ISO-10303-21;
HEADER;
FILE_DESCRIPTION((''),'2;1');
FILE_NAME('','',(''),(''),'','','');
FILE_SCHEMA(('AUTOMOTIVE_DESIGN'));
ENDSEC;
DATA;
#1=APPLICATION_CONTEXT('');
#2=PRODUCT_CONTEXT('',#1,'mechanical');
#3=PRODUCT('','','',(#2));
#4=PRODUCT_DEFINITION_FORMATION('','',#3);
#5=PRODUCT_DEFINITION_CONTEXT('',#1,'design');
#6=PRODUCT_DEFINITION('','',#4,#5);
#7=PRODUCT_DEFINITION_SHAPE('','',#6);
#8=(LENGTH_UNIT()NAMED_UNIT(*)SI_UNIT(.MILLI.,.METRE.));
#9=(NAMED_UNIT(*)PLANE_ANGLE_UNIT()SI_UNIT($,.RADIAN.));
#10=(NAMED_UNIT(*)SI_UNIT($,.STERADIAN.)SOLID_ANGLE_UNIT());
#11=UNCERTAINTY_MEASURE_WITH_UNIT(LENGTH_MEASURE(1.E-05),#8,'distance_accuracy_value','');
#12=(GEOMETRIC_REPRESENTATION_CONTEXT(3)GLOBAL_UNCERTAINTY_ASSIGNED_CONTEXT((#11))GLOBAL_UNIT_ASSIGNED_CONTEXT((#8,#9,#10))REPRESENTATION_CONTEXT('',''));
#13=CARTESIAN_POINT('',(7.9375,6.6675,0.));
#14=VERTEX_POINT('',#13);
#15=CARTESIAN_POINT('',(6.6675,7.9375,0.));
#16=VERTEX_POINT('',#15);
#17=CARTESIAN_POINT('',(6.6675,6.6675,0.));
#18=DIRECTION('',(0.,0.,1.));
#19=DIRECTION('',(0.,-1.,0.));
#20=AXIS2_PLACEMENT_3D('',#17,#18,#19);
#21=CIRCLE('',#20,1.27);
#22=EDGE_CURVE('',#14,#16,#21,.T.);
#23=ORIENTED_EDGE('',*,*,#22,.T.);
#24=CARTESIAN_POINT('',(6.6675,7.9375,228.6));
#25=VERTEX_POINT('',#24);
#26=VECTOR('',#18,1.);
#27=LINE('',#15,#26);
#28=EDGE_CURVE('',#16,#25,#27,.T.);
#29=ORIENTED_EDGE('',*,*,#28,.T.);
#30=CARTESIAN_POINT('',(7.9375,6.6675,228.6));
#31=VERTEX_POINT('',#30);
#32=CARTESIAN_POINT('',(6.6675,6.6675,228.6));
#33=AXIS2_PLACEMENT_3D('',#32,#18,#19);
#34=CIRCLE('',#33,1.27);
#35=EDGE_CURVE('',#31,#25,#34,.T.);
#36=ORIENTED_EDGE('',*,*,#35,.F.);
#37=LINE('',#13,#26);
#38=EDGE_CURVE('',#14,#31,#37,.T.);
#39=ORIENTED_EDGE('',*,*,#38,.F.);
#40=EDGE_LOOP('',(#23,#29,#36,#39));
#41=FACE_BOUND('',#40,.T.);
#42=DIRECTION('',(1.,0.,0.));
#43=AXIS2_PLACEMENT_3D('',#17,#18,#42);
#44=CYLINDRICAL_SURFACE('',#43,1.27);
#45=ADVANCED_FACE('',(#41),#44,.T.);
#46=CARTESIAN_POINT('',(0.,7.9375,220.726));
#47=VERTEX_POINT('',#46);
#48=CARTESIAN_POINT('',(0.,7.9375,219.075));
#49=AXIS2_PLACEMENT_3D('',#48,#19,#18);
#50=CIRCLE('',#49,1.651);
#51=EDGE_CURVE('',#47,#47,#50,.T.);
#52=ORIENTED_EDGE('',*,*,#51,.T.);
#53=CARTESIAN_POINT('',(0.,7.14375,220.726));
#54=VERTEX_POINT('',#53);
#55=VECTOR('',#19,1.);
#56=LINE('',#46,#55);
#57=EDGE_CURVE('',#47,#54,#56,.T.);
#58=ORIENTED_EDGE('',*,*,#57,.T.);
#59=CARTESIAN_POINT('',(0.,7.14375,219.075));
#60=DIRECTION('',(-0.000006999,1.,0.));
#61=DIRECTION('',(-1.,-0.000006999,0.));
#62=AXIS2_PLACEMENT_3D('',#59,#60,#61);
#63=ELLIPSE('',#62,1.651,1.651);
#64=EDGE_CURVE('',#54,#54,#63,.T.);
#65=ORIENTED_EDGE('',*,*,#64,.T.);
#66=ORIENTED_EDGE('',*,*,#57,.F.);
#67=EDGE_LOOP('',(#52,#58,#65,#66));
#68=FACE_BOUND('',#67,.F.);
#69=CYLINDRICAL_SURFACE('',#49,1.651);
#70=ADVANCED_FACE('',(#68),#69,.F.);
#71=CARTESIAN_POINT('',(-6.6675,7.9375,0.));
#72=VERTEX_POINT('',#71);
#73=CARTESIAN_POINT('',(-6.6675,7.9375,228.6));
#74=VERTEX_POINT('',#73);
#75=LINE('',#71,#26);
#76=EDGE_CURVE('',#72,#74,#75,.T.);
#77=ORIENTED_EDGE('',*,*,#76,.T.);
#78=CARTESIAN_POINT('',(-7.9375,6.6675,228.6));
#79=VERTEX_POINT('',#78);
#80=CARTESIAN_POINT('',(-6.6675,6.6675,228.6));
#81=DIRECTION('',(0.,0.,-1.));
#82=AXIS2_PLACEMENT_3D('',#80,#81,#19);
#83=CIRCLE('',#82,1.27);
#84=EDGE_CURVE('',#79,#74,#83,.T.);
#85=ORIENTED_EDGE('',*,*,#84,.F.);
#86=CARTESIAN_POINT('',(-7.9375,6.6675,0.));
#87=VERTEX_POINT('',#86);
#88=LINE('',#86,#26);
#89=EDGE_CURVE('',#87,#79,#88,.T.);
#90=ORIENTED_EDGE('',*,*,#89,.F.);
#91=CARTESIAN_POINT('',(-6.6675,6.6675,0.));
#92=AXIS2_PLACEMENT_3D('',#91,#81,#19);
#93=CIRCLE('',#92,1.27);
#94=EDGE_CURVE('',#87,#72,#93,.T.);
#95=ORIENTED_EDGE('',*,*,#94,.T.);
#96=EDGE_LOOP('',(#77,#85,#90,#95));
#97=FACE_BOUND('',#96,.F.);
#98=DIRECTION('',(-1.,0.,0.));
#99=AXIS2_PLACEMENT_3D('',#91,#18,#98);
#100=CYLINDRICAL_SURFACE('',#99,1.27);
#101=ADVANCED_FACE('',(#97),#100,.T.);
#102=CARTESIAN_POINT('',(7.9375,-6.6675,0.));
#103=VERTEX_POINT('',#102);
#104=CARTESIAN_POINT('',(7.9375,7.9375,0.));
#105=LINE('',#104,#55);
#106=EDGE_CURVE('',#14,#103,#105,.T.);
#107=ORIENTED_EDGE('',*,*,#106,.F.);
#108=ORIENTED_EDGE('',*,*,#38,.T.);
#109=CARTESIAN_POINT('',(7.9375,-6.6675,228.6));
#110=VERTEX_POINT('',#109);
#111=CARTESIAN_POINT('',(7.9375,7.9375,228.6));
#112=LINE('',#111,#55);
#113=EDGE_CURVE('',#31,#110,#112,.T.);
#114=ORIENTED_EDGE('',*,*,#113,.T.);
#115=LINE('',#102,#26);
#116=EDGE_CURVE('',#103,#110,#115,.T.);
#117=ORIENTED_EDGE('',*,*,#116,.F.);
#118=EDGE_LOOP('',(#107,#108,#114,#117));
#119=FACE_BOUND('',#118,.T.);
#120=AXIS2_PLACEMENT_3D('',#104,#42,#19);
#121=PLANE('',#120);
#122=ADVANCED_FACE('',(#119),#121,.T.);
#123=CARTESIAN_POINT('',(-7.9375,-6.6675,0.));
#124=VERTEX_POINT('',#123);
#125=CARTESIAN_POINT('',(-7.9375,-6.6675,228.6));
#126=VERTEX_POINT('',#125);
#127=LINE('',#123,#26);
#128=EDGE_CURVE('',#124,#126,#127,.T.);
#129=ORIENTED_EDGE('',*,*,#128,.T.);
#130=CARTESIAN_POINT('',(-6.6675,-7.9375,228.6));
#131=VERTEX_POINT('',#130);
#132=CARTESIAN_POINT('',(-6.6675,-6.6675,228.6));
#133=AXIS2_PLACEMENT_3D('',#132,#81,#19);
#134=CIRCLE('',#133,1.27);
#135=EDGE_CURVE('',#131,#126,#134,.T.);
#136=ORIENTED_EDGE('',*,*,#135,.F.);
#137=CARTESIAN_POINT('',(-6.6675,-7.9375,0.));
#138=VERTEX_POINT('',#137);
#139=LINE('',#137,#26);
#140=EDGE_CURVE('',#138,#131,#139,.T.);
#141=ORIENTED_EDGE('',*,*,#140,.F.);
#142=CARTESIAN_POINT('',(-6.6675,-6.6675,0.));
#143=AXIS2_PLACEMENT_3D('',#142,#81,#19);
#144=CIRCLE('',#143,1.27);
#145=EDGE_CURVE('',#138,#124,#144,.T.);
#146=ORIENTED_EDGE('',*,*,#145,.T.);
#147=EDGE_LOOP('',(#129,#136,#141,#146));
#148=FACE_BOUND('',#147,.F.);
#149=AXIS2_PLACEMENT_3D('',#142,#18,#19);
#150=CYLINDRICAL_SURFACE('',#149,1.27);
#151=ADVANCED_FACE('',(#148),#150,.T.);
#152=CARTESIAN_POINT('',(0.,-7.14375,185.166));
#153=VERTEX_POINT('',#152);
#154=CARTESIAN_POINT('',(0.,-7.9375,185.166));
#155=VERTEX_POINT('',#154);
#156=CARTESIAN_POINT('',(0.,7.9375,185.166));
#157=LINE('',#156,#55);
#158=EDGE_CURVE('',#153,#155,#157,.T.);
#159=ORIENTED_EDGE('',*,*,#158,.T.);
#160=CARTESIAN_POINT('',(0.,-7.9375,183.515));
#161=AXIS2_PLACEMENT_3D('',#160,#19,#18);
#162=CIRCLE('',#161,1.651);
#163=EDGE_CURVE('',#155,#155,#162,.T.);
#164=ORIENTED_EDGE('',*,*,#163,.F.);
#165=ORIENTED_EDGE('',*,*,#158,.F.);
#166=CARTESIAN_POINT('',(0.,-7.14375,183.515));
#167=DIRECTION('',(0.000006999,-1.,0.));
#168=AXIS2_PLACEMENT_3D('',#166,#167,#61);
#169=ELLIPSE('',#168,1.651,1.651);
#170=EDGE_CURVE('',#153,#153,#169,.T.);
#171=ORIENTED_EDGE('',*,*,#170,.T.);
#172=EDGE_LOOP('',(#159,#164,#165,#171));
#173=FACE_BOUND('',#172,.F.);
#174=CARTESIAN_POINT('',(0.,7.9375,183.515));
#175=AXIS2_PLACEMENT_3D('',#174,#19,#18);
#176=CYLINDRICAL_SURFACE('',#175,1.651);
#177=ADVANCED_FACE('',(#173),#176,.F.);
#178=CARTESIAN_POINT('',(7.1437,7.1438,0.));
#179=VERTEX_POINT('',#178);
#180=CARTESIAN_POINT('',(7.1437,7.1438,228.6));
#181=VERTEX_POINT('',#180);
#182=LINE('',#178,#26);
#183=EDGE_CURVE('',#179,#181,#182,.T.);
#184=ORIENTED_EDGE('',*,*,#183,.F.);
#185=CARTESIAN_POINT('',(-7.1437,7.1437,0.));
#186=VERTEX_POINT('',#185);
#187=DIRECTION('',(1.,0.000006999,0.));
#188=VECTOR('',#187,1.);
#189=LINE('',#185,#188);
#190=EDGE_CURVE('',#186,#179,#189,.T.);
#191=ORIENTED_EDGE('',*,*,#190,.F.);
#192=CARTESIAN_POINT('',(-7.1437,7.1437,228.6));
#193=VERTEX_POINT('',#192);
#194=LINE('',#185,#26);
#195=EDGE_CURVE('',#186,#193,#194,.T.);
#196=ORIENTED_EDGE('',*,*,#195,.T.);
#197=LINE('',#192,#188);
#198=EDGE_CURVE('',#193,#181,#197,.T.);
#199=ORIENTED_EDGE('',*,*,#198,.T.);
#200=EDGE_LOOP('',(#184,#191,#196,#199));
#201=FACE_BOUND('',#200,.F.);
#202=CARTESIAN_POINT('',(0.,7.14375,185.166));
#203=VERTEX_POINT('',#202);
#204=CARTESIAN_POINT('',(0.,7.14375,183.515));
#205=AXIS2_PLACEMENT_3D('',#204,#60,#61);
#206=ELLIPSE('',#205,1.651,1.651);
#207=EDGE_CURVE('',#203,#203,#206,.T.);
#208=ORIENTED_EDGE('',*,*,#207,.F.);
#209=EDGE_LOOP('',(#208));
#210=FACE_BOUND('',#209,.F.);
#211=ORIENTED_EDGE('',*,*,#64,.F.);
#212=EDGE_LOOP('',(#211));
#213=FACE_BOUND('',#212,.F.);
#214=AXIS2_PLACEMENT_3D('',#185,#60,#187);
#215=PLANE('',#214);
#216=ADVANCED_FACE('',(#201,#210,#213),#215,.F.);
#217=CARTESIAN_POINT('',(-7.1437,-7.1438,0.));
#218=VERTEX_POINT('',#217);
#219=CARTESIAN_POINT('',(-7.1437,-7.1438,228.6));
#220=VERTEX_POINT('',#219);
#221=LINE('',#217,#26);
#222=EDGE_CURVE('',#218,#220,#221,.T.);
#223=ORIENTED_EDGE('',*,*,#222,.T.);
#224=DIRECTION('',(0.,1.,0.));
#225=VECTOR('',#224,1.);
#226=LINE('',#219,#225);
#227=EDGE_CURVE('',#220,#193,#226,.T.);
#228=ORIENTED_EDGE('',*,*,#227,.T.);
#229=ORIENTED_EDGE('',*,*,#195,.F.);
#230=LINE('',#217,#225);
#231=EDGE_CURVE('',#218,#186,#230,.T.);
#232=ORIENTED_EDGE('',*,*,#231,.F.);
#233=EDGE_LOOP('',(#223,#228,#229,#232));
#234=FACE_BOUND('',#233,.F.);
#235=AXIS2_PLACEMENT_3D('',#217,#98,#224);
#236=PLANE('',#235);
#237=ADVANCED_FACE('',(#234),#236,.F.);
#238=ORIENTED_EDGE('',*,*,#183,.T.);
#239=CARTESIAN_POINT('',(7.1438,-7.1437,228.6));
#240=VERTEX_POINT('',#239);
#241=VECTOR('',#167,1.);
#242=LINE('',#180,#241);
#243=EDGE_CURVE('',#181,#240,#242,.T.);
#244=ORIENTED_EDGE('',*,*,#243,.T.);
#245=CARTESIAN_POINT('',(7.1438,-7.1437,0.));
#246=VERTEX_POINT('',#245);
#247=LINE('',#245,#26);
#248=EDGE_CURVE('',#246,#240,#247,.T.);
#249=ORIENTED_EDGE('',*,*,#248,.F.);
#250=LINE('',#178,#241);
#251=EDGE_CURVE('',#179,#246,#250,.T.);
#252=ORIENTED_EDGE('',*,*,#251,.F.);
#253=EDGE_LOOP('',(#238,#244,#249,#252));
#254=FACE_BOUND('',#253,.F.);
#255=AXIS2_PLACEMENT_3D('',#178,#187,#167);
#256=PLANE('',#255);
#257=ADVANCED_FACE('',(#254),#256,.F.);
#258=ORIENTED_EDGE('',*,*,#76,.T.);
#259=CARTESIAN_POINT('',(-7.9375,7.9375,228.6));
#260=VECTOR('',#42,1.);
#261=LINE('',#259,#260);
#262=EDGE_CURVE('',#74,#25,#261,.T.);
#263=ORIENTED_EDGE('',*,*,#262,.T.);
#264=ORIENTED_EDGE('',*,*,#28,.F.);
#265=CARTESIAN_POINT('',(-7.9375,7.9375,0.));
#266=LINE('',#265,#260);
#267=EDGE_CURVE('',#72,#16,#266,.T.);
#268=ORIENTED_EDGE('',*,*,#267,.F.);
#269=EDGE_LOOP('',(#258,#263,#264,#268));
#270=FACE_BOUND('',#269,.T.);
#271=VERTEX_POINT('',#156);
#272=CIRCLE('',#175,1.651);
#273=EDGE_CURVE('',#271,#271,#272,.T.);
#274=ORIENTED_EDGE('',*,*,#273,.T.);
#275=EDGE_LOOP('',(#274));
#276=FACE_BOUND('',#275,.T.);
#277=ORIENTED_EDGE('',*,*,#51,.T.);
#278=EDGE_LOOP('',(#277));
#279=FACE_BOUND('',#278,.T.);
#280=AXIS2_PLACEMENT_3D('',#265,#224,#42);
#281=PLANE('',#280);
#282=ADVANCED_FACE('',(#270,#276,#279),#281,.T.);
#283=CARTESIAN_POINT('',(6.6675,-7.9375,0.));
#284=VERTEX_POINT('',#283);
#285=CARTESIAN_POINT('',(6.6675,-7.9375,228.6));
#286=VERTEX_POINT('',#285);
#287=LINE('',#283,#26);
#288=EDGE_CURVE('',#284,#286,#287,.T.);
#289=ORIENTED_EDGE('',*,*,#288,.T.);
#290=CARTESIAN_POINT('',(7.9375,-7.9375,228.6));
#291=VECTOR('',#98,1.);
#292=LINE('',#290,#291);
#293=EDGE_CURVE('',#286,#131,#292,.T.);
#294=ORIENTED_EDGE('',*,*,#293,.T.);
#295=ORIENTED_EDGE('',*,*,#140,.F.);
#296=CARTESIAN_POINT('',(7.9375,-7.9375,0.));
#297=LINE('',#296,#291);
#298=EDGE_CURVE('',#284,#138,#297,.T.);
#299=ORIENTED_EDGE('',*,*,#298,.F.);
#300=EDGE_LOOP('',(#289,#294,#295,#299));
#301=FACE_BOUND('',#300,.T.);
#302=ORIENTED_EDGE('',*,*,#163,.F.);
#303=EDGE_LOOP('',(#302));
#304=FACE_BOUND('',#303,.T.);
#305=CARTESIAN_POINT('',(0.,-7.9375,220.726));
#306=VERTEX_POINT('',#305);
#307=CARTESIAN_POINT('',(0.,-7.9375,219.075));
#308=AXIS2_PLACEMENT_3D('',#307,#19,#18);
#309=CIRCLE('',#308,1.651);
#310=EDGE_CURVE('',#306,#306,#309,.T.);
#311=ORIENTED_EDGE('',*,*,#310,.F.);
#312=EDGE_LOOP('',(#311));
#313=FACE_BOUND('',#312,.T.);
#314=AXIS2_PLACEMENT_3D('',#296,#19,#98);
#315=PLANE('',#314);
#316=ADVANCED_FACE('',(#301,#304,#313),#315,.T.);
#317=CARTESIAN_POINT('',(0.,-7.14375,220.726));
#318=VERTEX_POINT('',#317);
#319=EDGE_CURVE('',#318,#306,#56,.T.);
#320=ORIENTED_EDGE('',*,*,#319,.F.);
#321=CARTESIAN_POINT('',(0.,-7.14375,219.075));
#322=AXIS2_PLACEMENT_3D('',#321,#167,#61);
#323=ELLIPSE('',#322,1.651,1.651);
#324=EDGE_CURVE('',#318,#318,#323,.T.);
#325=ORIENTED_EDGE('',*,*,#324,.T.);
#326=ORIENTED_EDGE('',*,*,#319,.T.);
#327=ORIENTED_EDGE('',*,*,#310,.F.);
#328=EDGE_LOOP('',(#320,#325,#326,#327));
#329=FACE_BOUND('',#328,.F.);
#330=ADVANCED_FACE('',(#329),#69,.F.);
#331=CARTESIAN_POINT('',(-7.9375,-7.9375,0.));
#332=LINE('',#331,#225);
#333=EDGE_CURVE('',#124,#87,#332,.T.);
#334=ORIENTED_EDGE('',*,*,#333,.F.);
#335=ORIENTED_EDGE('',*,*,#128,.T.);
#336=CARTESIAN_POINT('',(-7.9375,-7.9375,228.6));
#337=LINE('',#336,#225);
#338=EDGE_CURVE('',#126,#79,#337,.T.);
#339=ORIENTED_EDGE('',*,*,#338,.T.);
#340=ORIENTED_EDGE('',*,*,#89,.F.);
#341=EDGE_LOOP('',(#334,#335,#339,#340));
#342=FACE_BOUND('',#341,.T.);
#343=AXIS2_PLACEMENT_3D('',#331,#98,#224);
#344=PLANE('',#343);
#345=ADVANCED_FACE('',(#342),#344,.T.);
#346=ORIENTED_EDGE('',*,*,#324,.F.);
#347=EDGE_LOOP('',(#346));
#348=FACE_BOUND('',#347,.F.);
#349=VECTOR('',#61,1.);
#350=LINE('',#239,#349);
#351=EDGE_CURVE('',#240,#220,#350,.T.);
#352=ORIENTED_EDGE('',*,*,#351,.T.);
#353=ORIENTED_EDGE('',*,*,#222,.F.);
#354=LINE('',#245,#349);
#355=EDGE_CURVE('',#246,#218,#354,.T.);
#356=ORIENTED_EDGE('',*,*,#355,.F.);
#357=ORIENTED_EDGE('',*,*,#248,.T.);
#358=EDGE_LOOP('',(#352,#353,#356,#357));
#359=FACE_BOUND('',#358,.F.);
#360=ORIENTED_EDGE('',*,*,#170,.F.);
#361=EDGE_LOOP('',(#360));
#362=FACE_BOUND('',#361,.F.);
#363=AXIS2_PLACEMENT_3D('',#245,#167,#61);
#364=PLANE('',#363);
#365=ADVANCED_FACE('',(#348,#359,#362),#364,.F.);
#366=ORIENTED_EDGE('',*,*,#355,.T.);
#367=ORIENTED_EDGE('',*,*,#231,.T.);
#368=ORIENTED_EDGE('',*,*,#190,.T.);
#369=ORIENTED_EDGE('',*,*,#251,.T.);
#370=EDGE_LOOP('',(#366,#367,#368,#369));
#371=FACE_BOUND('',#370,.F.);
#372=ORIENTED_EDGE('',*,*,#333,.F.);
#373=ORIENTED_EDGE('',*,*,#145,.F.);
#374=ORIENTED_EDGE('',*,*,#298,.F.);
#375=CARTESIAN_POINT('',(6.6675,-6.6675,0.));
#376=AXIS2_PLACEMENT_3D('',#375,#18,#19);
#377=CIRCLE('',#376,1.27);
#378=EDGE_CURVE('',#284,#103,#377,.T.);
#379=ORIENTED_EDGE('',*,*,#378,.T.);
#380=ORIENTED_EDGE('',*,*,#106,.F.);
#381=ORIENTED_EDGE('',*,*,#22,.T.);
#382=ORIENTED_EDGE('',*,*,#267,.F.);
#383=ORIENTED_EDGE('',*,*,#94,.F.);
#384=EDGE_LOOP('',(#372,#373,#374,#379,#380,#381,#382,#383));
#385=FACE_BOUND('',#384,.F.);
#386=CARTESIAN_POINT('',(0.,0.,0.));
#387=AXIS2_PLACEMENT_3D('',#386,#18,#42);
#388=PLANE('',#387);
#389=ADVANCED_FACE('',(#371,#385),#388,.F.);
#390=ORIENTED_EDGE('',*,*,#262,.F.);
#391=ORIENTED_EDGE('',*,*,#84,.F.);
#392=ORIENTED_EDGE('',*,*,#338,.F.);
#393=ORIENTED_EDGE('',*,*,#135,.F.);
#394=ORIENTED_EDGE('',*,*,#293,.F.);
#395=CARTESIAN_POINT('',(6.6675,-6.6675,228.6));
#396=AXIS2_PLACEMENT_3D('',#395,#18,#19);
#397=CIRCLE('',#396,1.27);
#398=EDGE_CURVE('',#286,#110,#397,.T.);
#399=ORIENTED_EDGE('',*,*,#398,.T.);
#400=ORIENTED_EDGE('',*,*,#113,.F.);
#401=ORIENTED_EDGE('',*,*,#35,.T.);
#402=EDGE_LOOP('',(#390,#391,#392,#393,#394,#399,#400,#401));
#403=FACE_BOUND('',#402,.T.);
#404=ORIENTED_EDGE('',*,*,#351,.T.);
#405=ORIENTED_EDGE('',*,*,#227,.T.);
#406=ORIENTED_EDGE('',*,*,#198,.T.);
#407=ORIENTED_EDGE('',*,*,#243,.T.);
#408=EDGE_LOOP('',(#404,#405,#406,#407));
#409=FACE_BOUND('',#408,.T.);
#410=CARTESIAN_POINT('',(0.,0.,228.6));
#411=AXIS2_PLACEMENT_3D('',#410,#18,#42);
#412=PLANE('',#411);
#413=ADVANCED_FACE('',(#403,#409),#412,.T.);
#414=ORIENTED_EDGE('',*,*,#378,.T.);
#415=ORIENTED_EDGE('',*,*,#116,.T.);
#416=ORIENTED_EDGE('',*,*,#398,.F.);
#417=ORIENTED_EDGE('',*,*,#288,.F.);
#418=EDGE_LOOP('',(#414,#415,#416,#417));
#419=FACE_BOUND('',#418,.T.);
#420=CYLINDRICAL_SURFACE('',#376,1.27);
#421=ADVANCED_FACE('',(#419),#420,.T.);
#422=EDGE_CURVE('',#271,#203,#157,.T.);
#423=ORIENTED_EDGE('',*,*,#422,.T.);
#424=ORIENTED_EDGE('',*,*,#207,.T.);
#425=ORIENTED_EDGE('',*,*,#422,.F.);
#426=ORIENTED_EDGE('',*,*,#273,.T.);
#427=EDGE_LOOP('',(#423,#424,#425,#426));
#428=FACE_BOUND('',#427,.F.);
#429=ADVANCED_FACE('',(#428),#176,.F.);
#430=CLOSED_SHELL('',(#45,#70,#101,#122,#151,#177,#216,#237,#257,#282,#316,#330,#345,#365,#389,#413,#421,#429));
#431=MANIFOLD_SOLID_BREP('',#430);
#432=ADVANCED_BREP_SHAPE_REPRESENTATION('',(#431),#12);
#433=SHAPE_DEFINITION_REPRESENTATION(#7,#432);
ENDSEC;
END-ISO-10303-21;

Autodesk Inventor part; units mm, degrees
ref_plane "YZ Plane" through (0, 0, 0) normal (1, 0, 0) x (0, 1, 0)
ref_plane "XZ Plane" through (0, 0, 0) normal (0, 1, 0) x (-1, 0, 0)
ref_plane "XY Plane" through (0, 0, 0) normal (0, 0, 1) x (1, 0, 0)
sketch "Sketch1" plane through (0, 0, 0) normal (0, 0, 1) x (1, 0, 0)
  line L0 (7.9375, -7.9375) -> (-7.9375, -7.9375)
  line L1 (-7.9375, -7.9375) -> (-7.9375, 7.9375)
  line L2 (-7.9375, 7.9375) -> (7.9375, 7.9375)
  line L3 (7.9375, 7.9375) -> (7.9375, -7.9375)
  line L4 (-7.1437, -7.1438) -> (-7.1437, 7.1437)
  line L5 (-7.1437, 7.1437) -> (7.1437, 7.1438)
  line L6 (7.1437, 7.1438) -> (7.1438, -7.1437)
  line L7 (7.1438, -7.1437) -> (-7.1437, -7.1438)
  line L8 (0, 0) -> (5.5522, 0)
  point P0 (0, 0)
  point P1 (0, 0)
  point P2 (0, 0)
  dimension "d4" = 45
  dimension "d5" = 14.2875
  dimension "d6" = 15.875
extrude "Extrusion1" add sketch "Sketch1" along normal blind 228.6
sketch "Sketch2" plane through (-7.9375, 7.9375, 0) normal (0, 1, 0) x (1, 0, 0)
  line L0 (0, -228.6) -> (15.875, -228.6) projected
  line L1 (15.875, 0) -> (15.875, -228.6) projected
  line L2 (0, 0) -> (0, -228.6) projected
  line L3 (7.9375, -228.6) -> (7.9375, -257.0929)
  line L4 (7.9375, -219.075) -> (26.9875, -219.075) construction
  point P0 (7.9375, 0)
  point P1 (7.9375, -183.515)
  dimension "d27" = 9.525
  dimension "d30" = 35.56
hole "Hole1" at (0, 7.9375, 219.075) at (0, 7.9375, 183.515) direction (0, -1, 0) diameter 3.302 end through all thread size "8-32 UNC" class "2B" standard "ANSI Unified Screw Threads"
fillet "Fillet1" radius 1.27 4 edges at (-7.9375, 7.9375, 114.3) (7.9375, 7.9375, 114.3) (7.9375, -7.9375, 114.3) (-7.9375, -7.9375, 114.3)
properties part number "Arm"
